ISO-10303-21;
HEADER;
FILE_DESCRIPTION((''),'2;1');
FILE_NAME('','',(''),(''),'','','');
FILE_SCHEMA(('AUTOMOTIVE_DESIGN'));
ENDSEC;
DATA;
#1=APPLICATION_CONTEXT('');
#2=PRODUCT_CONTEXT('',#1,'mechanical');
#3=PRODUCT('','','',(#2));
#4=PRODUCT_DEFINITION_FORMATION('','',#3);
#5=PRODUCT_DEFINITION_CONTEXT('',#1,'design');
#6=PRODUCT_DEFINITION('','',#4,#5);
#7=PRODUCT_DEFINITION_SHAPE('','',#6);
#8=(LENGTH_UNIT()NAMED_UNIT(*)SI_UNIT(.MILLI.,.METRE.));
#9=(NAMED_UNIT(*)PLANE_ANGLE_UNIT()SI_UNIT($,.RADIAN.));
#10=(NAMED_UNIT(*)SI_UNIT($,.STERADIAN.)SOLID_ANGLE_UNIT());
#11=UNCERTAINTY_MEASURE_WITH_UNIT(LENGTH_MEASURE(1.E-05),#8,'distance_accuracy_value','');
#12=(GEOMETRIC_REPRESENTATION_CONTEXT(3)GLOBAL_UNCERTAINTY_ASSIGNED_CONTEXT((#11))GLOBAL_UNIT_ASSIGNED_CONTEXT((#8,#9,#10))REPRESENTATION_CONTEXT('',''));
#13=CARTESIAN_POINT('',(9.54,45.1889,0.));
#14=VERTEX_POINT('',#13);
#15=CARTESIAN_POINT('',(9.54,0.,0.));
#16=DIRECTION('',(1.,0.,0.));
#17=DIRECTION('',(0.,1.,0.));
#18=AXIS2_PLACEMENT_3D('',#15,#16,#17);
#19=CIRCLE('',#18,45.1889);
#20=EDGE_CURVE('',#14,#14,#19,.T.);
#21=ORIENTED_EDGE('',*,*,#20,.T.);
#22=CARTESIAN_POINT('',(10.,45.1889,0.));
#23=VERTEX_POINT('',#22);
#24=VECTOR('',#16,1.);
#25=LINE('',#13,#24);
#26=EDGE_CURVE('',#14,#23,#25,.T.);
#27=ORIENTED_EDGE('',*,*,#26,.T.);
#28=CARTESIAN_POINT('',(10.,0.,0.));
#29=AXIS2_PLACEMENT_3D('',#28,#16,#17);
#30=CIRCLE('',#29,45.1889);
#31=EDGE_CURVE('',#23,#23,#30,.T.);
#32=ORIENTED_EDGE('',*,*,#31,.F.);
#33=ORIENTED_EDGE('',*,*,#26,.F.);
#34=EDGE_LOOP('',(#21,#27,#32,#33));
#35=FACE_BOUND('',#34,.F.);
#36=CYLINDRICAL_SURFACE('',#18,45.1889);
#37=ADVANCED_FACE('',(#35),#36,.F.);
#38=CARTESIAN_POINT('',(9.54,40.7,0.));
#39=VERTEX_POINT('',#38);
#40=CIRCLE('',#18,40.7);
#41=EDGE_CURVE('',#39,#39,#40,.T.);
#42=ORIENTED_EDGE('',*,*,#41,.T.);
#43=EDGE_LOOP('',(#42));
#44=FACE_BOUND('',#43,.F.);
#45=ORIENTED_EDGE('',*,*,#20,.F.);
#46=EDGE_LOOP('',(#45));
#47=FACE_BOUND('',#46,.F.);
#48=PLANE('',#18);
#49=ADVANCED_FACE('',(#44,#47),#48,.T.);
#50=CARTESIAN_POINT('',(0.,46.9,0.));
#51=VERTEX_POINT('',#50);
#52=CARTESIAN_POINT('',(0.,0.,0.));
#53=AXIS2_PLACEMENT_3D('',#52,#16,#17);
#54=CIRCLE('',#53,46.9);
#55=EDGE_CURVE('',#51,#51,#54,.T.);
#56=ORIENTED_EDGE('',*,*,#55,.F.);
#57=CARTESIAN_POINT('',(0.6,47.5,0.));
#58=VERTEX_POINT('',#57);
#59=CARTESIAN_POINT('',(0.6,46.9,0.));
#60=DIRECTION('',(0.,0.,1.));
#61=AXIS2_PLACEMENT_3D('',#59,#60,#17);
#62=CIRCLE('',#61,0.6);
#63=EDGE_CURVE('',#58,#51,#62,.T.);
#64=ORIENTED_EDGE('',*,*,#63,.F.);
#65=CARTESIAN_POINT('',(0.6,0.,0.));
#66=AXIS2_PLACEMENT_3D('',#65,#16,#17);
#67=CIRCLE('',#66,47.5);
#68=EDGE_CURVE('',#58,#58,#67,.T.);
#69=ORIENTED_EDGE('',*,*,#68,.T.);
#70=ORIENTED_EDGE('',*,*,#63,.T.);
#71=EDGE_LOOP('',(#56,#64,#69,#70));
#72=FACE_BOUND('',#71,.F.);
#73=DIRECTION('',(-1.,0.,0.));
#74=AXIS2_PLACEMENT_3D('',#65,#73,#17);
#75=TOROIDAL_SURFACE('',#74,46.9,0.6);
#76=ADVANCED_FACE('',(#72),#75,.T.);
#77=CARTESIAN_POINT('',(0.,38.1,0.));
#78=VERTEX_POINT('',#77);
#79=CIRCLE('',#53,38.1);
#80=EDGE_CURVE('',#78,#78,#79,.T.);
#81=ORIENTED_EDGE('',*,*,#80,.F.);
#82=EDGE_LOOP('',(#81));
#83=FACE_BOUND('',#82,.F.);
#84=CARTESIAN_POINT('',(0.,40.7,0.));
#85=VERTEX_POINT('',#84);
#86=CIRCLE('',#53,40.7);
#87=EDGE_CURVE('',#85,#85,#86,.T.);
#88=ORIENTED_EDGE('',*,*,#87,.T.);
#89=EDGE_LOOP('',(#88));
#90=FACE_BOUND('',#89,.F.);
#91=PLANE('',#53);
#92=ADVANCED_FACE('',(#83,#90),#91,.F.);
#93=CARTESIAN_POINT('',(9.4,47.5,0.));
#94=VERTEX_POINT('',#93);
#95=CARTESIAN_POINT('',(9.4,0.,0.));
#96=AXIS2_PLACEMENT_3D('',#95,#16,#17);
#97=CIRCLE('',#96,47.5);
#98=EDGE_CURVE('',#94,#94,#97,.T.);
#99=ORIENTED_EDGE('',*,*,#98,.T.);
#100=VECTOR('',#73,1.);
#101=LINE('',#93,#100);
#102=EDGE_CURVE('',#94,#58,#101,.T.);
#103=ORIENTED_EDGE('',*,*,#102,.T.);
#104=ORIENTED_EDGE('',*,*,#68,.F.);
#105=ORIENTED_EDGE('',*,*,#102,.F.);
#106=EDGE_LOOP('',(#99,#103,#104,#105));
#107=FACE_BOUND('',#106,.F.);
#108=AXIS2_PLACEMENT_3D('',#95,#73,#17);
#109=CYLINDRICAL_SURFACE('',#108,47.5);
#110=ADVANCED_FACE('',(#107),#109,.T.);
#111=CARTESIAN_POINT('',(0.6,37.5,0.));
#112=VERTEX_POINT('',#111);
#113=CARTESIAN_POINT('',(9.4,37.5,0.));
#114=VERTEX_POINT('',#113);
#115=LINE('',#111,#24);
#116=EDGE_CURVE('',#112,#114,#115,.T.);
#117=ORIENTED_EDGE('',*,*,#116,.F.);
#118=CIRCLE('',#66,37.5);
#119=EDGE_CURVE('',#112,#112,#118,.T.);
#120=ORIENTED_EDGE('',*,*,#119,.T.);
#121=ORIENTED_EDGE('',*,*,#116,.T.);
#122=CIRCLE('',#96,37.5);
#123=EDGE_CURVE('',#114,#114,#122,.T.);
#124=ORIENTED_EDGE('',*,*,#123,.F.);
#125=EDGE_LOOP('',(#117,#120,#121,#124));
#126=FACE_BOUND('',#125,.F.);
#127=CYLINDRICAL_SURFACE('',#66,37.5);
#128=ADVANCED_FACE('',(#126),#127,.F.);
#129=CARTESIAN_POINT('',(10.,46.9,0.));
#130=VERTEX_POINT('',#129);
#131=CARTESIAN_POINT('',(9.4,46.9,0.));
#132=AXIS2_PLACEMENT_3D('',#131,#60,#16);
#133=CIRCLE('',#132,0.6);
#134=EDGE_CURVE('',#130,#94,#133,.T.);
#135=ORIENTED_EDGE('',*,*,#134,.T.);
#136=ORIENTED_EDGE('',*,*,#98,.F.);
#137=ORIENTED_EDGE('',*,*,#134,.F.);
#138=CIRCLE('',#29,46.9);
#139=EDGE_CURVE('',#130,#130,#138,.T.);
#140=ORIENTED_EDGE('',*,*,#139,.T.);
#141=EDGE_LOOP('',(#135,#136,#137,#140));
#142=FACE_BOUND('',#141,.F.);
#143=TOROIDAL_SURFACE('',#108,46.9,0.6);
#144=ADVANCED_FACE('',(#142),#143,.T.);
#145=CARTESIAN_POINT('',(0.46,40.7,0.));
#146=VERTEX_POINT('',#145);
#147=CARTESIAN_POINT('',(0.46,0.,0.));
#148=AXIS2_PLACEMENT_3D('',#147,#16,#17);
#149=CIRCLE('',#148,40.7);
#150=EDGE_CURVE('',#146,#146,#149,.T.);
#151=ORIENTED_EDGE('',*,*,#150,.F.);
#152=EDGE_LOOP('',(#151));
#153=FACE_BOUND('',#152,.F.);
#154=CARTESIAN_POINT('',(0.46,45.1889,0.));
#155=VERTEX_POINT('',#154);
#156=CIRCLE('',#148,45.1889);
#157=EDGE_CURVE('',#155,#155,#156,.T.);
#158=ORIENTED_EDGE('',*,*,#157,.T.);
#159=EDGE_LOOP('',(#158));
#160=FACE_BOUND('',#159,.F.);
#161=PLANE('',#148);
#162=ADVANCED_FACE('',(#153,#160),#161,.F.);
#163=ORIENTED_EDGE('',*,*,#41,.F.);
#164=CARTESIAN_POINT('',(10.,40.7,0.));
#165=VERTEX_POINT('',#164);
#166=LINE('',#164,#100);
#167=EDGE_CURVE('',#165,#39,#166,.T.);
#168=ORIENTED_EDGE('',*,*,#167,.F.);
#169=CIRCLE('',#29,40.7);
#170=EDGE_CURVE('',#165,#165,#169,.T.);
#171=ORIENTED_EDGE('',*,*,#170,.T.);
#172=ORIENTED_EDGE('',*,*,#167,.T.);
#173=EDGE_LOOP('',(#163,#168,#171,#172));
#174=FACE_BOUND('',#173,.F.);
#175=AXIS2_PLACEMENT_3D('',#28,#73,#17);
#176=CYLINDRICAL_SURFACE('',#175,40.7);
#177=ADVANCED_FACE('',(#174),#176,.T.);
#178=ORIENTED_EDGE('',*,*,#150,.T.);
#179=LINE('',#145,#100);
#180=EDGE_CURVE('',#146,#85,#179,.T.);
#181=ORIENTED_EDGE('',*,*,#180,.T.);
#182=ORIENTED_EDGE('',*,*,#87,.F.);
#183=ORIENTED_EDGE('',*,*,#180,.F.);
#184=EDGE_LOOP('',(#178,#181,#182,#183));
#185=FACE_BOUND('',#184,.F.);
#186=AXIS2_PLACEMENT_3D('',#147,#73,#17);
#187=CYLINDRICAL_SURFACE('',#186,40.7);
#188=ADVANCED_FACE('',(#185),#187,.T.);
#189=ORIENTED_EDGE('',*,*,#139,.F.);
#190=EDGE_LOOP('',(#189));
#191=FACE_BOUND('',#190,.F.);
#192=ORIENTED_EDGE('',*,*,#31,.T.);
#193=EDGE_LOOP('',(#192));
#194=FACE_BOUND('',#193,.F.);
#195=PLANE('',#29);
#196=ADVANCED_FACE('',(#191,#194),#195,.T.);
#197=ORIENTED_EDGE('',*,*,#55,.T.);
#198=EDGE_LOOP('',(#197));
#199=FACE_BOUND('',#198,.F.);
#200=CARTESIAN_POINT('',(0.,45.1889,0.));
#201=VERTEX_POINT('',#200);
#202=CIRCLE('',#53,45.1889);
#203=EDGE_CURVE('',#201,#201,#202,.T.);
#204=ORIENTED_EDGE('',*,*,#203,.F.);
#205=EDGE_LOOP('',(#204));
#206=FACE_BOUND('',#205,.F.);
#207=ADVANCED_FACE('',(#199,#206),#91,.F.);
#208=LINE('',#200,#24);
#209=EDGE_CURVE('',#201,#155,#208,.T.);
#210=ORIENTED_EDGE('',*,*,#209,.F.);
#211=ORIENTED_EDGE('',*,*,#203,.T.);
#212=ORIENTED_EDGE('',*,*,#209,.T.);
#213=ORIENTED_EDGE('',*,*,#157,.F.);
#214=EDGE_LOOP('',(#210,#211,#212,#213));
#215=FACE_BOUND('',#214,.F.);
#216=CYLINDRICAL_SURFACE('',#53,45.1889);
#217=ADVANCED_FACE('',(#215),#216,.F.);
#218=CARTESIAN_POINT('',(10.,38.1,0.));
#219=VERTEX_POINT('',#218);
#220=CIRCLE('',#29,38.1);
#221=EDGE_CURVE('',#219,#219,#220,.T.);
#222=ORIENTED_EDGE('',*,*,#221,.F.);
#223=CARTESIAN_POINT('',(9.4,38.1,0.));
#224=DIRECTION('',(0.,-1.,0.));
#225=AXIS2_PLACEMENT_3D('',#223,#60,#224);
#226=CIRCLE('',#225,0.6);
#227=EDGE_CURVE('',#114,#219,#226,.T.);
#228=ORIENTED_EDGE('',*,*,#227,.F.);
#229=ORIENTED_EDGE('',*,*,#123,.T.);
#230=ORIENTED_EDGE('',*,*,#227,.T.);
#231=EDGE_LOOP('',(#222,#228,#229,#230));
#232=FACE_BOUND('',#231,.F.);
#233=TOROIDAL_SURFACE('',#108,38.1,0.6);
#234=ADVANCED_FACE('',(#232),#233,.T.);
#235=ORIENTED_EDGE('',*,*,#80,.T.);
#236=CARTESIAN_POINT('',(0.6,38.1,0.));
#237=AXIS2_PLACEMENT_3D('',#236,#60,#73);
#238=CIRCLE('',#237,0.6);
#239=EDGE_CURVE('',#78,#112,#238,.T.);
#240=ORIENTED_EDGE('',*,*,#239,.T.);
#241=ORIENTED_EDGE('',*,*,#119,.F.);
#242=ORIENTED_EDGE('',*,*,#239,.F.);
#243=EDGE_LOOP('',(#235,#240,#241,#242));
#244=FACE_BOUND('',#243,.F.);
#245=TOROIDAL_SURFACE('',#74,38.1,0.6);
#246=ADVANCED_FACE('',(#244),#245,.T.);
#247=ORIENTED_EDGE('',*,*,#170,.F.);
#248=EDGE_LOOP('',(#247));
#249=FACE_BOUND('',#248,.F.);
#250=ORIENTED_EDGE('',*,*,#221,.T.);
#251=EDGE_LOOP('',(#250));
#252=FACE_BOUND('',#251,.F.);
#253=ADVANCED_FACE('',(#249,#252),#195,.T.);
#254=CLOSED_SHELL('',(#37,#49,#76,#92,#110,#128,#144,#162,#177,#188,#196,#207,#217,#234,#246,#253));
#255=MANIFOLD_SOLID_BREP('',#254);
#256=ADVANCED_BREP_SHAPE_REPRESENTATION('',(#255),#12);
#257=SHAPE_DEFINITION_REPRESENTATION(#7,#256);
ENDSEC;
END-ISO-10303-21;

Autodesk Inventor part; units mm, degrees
sketch "Sketch_1" plane through (0, 0, 0) normal (0, 0, 1) x (1, 0, 0)
  line L0 (10, 0) -> (0, 0)
  arc A0 (0, 38.1) -> (0.6, 37.5) centre (0.6, 38.1) ccw
  line L1 (0.6, 37.5) -> (9.4, 37.5)
  arc A1 (9.4, 37.5) -> (10, 38.1) centre (9.4, 38.1) ccw
  line L2 (10, 38.1) -> (10, 40.7)
  line L3 (10, 40.7) -> (9.54, 40.7)
  line L4 (9.54, 40.7) -> (9.54, 45.1889)
  line L5 (9.54, 45.1889) -> (10, 45.1889)
  line L6 (10, 45.1889) -> (10, 46.9)
  arc A2 (10, 46.9) -> (9.4, 47.5) centre (9.4, 46.9) ccw
  line L7 (9.4, 47.5) -> (0.6, 47.5)
  arc A3 (0.6, 47.5) -> (0, 46.9) centre (0.6, 46.9) ccw
  line L8 (0, 46.9) -> (0, 45.1889)
  line L9 (0, 45.1889) -> (0.46, 45.1889)
  line L10 (0.46, 45.1889) -> (0.46, 40.7)
  line L11 (0.46, 40.7) -> (0, 40.7)
  line L12 (0, 40.7) -> (0, 38.1)
revolve "Revolution1" add sketch "Sketch_1" angle 360 about axis through (10, 0, 0) along (1, 0, 0)
ref_plane "center_point_XY" through (5, 0, 0) normal (1, 0, 0) x (0, 0, -1)
ref_plane "center_point_YZ" through (5, 0, 0) normal (0, 0, -1) x (0, 1, 0)
ref_plane "center_point_ZX" through (5, 0, 0) normal (0, 1, 0) x (1, 0, 0)
ref_plane "to_housing_XY" through (0, 0, 0) normal (1, 0, 0) x (0, 0, -1)
ref_plane "to_housing_YZ" through (0, 0, 0) normal (0, 0, -1) x (0, 1, 0)
ref_plane "to_housing_ZX" through (0, 0, 0) normal (0, 1, 0) x (1, 0, 0)
ref_plane "to_ring_XY" through (9.08, 0, 0) normal (1, 0, 0) x (0, 0, -1)
ref_plane "to_ring_YZ" through (9.08, 0, 0) normal (0, 0, -1) x (0, 1, 0)
ref_plane "to_ring_ZX" through (9.08, 0, 0) normal (0, 1, 0) x (1, 0, 0)
properties part number "B6815ZZ"
